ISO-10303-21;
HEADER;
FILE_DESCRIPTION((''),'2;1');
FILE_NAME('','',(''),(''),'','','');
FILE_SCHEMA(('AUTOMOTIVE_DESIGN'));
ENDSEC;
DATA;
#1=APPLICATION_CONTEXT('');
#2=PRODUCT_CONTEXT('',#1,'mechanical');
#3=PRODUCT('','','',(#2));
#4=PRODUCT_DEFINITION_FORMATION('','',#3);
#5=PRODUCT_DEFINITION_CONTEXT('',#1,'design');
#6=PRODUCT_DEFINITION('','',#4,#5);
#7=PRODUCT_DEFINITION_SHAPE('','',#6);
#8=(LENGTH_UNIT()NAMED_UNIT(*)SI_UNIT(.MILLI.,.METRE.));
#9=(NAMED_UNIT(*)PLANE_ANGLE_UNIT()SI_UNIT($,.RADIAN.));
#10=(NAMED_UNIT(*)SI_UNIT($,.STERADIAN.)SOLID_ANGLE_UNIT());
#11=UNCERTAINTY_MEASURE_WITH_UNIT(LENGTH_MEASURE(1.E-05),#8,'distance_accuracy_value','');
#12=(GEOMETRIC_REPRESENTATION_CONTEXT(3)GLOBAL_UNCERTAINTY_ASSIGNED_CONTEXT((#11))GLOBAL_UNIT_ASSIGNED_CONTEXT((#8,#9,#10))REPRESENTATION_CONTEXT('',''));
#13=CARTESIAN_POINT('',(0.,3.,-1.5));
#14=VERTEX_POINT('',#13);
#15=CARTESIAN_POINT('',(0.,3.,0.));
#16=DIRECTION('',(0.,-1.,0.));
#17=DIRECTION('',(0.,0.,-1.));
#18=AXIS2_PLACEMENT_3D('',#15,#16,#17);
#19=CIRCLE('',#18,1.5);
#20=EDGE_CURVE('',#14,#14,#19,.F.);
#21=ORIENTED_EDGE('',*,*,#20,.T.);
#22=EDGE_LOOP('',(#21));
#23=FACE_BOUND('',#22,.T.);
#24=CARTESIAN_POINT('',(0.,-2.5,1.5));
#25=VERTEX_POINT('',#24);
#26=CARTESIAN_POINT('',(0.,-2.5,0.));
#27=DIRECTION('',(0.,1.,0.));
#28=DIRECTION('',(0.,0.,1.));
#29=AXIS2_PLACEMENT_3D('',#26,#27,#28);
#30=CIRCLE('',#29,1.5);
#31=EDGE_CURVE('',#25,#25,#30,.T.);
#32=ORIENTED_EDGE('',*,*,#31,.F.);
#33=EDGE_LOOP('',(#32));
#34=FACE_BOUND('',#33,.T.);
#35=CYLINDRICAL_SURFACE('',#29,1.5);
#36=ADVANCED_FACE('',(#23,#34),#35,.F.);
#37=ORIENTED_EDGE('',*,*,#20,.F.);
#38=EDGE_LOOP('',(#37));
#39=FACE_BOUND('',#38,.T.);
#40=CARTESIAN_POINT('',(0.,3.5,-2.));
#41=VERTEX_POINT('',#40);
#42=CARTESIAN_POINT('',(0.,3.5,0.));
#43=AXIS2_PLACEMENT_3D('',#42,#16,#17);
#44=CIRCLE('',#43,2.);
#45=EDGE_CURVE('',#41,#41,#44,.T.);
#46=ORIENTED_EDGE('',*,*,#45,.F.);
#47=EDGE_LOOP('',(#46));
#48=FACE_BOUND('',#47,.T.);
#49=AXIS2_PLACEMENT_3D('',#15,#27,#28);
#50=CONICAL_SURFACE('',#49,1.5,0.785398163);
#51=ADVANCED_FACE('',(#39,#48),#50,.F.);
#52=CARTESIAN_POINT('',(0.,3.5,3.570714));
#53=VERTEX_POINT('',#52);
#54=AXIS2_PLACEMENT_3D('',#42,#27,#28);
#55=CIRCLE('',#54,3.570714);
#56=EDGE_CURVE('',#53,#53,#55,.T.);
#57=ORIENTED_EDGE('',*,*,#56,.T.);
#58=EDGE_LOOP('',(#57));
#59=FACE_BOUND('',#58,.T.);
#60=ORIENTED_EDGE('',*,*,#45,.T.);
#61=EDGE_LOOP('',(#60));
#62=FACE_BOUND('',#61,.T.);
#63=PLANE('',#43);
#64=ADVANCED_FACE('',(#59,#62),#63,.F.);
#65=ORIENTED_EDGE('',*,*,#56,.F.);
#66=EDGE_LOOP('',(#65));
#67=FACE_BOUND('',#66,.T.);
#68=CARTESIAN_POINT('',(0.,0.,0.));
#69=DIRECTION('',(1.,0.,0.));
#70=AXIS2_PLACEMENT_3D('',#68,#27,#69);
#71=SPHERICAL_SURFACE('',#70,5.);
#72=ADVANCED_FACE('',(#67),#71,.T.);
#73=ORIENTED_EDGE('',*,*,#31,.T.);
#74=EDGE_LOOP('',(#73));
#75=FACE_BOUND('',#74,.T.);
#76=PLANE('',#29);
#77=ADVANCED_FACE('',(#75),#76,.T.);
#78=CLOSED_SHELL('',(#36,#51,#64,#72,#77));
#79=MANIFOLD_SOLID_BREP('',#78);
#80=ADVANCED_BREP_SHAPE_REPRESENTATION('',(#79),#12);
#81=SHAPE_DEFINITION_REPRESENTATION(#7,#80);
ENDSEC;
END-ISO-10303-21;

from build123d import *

# Parameters (mm, degrees)
SCHIZZO3_R               = 1.5
TAGLIO_ESTRUSIONE1_DEPTH = 6
SMUSSO1_SIZE             = 0.5


with BuildPart() as part:
    # Schizzo1 → Rivoluzione1 (revolve)
    with BuildSketch(Plane.XY):
        with BuildLine():
            Line((0, 5), (0, -5))
            ThreePointArc((0, -5), (-5, 0), (0, 5))
        make_face()
    revolve(axis=Axis((0, 5, 0), (0, -1, 0)))

    # Schizzo2 → Taglia-Rivoluzione1 (revolve, cut)
    with BuildSketch(Plane.XY, mode=Mode.PRIVATE) as taglia_rivoluzione1_sk:
        with BuildLine():
            Line((0, 3.5), (-3.570714214, 3.5))
            ThreePointArc((-3.570714214, 3.5), (-1.936491673, 4.609772229), (0, 5))
            Line((0, 5), (0, 3.5))
        make_face()
    revolve(taglia_rivoluzione1_sk.sketch.rotate(Axis((0, 5, 0), (0, -1, 0)), 180), axis=Axis((0, 5, 0), (0, -1, 0)), mode=Mode.SUBTRACT)

    # Schizzo3 → Taglio-Estrusione1 (cut)
    with BuildSketch(Plane(origin=(0, 3.5, 0), x_dir=(1, 0, 0), z_dir=(0, 1, 0))):
        with Locations(Location((0, 0, 0), (0, 0, 270))):
            Circle(SCHIZZO3_R)
    extrude(amount=-TAGLIO_ESTRUSIONE1_DEPTH, mode=Mode.SUBTRACT)

    # Smusso1
    smusso1_edges = [part.edges().sort_by_distance(p)[0] for p in [
        (0, 3.5, -1.5),
    ]]
    chamfer(smusso1_edges, length=SMUSSO1_SIZE)


solid = part.part
